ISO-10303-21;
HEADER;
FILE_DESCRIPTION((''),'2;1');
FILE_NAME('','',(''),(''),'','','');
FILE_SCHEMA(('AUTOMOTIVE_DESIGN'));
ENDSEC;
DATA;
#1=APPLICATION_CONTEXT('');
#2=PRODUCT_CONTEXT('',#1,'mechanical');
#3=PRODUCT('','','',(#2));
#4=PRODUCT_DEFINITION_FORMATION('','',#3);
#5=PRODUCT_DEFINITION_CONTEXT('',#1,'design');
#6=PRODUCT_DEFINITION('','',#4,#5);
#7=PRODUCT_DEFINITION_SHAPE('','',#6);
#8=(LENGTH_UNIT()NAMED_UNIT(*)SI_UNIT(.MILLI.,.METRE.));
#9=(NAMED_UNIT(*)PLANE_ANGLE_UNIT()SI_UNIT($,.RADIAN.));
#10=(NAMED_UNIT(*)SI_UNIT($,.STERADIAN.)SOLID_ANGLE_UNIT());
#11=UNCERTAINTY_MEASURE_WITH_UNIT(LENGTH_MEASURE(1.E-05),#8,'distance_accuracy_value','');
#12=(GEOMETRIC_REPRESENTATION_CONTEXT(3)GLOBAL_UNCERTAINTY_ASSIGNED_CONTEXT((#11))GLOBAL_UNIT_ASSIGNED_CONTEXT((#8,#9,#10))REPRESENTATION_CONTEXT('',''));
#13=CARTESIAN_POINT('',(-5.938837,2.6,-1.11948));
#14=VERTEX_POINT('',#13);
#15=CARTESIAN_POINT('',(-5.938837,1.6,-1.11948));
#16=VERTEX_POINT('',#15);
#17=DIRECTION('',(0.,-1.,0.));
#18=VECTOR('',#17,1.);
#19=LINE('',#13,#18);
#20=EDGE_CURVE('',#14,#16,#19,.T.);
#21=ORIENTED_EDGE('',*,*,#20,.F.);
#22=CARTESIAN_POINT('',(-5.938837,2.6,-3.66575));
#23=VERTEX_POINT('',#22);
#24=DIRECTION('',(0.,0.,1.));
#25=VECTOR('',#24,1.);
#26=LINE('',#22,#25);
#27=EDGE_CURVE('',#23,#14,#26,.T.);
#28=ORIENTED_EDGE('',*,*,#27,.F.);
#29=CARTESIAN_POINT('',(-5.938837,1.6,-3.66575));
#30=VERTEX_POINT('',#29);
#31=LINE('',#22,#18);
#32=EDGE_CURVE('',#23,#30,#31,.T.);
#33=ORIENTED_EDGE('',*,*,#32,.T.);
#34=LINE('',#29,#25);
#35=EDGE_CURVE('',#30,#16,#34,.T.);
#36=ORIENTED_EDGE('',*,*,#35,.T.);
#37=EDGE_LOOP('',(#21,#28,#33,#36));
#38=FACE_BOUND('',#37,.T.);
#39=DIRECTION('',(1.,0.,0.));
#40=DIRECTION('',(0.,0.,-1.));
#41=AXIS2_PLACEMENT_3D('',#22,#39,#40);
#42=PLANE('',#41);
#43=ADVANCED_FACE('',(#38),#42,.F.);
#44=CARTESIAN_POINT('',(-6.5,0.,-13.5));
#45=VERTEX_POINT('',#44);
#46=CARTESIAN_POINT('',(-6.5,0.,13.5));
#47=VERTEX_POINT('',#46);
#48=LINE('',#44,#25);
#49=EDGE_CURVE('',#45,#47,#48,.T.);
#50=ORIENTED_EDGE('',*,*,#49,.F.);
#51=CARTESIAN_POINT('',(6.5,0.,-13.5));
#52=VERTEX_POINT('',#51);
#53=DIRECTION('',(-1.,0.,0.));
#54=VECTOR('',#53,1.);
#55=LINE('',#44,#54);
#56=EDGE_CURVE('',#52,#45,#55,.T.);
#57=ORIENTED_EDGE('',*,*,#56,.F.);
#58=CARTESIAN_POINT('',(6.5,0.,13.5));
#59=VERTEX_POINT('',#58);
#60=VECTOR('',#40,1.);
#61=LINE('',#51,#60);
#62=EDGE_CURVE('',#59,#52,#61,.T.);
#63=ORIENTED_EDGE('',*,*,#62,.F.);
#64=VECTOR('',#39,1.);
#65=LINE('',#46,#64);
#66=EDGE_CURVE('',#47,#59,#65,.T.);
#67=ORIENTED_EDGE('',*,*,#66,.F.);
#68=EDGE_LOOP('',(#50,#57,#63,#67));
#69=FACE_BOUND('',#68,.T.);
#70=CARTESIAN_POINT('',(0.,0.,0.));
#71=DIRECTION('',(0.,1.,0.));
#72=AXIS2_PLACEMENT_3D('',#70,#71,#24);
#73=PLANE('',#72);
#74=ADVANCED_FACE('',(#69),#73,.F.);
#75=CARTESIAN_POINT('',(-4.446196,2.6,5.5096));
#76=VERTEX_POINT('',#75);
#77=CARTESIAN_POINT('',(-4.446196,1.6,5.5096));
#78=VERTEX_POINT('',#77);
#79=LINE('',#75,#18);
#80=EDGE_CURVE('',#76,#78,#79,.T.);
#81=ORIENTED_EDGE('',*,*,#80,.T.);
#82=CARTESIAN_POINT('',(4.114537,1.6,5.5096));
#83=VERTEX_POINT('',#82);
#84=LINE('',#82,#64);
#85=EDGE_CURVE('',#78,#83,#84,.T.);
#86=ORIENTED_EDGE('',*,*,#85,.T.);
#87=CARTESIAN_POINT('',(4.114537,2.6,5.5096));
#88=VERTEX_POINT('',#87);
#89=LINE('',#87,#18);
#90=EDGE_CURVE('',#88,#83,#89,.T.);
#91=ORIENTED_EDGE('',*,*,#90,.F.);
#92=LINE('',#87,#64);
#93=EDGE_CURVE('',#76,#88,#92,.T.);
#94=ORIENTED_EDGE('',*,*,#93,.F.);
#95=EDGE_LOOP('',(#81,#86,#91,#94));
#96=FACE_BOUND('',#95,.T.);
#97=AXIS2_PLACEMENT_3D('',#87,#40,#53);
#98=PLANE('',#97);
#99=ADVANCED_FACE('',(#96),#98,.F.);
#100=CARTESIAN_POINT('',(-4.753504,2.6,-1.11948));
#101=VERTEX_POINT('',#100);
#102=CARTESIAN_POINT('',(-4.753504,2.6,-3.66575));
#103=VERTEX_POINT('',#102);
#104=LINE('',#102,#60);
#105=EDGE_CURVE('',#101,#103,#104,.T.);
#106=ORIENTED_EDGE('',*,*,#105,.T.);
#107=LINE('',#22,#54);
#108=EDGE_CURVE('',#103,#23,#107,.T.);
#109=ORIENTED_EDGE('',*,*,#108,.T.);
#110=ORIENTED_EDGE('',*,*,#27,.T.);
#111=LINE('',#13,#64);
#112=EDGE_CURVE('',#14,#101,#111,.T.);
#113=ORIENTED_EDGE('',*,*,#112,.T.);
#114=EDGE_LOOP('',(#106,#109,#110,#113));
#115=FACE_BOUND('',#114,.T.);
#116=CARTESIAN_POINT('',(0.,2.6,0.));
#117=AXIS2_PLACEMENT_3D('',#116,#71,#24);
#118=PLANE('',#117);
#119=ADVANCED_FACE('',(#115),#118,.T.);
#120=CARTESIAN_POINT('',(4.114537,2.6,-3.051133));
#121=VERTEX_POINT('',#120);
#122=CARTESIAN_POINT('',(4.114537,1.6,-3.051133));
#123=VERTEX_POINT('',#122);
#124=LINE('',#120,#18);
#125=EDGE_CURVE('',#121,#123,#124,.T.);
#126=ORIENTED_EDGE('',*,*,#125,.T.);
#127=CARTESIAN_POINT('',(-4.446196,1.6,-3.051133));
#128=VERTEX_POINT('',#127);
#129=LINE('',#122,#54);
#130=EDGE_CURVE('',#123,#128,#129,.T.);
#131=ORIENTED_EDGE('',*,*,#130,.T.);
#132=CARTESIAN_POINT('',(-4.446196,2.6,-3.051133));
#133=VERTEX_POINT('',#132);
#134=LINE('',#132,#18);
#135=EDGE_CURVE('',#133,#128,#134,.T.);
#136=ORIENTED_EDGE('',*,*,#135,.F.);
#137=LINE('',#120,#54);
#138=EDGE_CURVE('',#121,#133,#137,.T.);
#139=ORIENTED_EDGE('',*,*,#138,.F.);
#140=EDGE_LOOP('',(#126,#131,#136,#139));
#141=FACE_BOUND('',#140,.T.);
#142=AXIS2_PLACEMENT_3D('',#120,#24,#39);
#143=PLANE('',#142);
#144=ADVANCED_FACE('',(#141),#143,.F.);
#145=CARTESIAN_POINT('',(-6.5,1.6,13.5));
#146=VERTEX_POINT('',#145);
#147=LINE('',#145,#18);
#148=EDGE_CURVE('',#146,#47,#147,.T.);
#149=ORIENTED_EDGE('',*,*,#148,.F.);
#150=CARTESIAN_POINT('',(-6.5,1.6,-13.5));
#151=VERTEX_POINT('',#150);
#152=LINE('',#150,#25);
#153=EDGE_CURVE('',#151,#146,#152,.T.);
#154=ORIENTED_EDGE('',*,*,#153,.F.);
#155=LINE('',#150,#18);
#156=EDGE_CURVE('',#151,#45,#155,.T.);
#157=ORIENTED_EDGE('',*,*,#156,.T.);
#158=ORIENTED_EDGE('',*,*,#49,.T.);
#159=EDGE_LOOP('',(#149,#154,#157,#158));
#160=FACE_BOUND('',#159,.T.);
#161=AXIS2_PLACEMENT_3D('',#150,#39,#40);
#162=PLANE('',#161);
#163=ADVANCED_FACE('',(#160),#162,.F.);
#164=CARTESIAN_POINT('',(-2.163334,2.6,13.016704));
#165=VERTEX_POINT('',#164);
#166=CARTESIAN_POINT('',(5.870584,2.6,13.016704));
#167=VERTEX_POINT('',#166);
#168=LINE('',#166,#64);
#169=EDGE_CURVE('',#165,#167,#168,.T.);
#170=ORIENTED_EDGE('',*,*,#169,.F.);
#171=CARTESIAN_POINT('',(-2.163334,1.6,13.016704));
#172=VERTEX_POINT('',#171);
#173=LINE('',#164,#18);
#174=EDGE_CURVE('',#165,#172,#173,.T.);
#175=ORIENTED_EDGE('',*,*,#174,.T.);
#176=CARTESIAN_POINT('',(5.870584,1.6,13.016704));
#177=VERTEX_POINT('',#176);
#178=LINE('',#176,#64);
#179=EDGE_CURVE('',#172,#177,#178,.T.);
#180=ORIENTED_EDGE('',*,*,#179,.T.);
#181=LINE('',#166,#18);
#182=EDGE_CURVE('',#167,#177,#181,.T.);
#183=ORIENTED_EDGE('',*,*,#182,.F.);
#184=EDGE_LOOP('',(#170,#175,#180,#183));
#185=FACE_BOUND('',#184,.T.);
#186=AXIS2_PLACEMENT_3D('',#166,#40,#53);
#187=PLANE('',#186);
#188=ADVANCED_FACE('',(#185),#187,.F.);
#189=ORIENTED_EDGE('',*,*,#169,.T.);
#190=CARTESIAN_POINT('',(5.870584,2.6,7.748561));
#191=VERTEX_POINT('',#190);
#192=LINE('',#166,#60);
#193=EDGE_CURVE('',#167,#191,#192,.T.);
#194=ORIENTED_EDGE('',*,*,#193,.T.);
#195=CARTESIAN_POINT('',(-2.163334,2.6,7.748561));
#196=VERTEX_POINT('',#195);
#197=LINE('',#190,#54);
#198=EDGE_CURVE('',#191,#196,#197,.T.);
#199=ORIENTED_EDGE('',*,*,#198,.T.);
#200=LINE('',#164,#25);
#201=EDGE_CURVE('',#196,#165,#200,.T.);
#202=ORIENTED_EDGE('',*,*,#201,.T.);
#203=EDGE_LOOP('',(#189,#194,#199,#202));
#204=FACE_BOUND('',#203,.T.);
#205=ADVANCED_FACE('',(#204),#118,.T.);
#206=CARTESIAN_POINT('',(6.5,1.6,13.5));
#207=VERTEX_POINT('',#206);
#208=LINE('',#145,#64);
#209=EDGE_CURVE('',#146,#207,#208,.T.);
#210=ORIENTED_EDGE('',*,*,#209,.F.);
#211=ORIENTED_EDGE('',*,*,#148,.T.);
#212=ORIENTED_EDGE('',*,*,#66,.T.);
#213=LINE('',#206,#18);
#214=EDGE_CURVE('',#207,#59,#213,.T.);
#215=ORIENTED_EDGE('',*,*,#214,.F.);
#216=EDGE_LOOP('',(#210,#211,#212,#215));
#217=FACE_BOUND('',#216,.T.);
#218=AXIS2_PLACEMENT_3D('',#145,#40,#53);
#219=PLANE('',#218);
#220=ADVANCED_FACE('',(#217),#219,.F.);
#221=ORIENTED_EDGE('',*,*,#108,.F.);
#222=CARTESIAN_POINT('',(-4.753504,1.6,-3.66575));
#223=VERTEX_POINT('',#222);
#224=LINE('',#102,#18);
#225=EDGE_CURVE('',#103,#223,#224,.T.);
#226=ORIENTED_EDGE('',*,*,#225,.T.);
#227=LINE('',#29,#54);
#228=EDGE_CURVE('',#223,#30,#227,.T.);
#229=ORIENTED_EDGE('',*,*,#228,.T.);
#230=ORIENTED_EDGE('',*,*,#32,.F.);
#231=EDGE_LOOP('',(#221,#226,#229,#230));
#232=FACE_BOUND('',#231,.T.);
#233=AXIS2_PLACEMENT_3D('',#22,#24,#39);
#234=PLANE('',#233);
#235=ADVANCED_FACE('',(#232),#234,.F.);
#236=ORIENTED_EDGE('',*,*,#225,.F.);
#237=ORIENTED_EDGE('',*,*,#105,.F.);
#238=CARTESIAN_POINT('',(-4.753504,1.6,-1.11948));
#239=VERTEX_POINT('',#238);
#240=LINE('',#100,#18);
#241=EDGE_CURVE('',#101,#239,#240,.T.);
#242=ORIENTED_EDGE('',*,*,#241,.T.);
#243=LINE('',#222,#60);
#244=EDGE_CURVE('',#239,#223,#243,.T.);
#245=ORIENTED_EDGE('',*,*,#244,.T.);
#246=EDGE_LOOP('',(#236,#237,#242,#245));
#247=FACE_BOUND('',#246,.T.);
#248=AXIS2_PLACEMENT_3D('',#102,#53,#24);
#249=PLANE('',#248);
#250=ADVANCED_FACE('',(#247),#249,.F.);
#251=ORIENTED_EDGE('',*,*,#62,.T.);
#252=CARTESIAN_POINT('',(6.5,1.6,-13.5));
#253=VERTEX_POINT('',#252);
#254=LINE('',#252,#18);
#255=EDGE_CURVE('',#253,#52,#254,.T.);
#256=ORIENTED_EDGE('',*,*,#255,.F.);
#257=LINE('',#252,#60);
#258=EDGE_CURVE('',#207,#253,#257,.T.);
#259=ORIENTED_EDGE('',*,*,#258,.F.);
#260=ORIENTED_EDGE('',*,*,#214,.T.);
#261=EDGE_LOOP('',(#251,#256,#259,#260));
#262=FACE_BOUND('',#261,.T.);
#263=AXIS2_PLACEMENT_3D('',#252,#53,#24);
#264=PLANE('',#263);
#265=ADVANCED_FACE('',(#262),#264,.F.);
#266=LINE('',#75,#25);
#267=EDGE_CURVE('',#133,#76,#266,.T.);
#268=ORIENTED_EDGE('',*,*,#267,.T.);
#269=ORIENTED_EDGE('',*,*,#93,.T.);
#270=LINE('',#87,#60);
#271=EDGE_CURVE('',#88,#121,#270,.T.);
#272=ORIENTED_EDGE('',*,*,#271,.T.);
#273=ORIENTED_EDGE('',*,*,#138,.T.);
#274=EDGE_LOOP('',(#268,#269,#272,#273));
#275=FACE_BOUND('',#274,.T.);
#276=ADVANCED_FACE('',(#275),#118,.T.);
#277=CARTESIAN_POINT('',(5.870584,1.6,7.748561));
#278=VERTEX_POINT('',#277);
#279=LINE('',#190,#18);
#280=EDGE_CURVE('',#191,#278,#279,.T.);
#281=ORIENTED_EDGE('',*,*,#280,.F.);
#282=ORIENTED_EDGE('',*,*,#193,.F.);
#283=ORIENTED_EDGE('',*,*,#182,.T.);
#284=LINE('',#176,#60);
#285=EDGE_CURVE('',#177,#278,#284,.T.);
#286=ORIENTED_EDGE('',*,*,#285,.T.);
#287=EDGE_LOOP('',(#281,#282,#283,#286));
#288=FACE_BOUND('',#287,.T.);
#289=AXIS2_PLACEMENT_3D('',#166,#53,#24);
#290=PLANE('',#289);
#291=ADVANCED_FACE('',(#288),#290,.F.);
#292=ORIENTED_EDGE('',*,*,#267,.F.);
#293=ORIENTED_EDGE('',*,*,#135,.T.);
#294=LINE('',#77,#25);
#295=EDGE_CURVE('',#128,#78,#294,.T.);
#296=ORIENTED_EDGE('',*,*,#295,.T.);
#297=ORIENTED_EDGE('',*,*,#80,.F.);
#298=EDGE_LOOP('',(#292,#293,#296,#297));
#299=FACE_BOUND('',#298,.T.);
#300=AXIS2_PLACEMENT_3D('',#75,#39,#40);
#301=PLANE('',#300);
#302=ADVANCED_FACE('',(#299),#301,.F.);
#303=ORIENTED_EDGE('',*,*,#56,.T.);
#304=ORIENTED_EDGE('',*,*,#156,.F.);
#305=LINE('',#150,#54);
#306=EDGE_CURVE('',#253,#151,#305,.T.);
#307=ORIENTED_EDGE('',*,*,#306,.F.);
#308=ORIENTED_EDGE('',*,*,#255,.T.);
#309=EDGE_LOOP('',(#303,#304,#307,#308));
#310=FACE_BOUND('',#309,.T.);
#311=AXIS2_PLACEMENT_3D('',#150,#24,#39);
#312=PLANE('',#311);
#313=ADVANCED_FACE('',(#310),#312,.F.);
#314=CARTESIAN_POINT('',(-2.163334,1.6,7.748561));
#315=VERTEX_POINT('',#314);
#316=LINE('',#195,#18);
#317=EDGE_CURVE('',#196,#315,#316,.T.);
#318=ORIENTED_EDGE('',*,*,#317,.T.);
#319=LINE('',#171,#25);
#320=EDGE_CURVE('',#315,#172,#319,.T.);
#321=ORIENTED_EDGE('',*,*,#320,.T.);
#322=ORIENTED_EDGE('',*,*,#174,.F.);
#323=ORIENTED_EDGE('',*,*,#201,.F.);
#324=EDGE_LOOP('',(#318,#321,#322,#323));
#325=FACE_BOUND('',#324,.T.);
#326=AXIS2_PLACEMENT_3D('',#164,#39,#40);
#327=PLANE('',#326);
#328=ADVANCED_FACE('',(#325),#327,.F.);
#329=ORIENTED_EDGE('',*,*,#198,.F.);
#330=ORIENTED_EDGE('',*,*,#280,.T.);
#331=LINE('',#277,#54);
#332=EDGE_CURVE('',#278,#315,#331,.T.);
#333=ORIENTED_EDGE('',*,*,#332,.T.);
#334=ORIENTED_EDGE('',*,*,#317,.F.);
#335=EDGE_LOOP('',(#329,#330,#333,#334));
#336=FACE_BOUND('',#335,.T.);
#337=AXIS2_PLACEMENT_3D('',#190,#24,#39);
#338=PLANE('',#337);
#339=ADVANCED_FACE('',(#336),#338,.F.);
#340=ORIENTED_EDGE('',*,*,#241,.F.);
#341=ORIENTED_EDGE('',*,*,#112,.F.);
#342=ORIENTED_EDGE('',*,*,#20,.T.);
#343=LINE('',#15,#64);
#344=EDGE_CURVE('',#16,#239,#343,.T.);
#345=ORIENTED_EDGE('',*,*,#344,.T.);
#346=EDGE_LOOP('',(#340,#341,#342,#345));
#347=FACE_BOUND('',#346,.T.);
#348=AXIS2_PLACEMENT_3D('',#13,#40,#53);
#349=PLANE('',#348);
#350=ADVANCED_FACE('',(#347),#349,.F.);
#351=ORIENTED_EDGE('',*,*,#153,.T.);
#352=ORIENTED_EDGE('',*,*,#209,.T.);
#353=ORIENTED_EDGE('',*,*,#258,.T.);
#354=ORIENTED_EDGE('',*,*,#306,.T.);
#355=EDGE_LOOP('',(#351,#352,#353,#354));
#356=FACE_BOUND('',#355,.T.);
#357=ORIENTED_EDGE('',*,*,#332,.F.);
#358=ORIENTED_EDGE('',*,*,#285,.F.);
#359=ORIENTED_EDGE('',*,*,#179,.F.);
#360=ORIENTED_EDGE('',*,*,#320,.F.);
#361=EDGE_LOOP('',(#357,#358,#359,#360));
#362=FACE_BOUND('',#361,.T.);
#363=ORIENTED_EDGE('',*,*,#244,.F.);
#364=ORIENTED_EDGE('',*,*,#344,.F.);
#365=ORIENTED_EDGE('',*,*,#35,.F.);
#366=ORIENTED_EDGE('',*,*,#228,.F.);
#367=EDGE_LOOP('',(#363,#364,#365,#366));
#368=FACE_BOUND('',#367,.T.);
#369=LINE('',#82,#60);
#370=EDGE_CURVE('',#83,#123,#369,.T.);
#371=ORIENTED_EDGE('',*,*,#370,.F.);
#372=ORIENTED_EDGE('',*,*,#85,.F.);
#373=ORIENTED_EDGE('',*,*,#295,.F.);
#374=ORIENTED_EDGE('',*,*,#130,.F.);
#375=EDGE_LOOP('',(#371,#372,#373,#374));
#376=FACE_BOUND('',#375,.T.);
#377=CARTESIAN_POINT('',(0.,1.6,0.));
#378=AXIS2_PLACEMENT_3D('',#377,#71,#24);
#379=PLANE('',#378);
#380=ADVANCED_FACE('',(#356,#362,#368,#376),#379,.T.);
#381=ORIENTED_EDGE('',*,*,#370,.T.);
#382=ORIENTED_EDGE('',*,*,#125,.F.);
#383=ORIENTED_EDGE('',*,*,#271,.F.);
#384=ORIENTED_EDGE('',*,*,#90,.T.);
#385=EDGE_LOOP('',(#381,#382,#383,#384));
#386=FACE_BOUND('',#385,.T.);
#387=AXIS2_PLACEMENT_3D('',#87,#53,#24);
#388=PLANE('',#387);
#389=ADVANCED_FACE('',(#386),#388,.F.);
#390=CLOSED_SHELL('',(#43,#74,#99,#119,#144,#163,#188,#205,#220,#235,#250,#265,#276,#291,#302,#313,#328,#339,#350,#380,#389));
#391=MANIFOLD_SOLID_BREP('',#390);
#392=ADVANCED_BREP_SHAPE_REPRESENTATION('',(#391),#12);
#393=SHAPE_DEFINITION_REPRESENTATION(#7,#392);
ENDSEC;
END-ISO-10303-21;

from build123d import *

# Parameters (mm, degrees)
SKETCH_1_W      = 13
SKETCH_1_H      = 27
EXTRUDE_1_DEPTH = 1.6
SKETCH_2_W      = 8.033918408
SKETCH_2_H      = 5.268143219
SKETCH_2_W_2    = 8.560732729
SKETCH_2_H_2    = 8.56073273
SKETCH_2_W_3    = 1.185332224
SKETCH_2_H_3    = 2.546269222
EXTRUDE_2_DEPTH = 1


with BuildPart() as part:
    # 草图1 → 凸台-拉伸1 (new body)
    with BuildSketch(Plane(origin=(0, 0, 0), x_dir=(1, 0, 0), z_dir=(0, 1, 0))):
        Rectangle(SKETCH_1_W, SKETCH_1_H)
    extrude(amount=EXTRUDE_1_DEPTH)

    # 草图2 → 凸台-拉伸2 (add)
    with BuildSketch(Plane(origin=(0, 1.6, 0), x_dir=(1, 0, 0), z_dir=(0, 1, 0))):
        with Locations((1.853625196, -10.38263226)):
            Rectangle(SKETCH_2_W, SKETCH_2_H)
        with Locations((-0.165829704, -1.229233418)):
            Rectangle(SKETCH_2_W_2, SKETCH_2_H_2)
        with Locations((-5.346170536, 2.392615045)):
            Rectangle(SKETCH_2_W_3, SKETCH_2_H_3)
    extrude(amount=EXTRUDE_2_DEPTH)


solid = part.part
